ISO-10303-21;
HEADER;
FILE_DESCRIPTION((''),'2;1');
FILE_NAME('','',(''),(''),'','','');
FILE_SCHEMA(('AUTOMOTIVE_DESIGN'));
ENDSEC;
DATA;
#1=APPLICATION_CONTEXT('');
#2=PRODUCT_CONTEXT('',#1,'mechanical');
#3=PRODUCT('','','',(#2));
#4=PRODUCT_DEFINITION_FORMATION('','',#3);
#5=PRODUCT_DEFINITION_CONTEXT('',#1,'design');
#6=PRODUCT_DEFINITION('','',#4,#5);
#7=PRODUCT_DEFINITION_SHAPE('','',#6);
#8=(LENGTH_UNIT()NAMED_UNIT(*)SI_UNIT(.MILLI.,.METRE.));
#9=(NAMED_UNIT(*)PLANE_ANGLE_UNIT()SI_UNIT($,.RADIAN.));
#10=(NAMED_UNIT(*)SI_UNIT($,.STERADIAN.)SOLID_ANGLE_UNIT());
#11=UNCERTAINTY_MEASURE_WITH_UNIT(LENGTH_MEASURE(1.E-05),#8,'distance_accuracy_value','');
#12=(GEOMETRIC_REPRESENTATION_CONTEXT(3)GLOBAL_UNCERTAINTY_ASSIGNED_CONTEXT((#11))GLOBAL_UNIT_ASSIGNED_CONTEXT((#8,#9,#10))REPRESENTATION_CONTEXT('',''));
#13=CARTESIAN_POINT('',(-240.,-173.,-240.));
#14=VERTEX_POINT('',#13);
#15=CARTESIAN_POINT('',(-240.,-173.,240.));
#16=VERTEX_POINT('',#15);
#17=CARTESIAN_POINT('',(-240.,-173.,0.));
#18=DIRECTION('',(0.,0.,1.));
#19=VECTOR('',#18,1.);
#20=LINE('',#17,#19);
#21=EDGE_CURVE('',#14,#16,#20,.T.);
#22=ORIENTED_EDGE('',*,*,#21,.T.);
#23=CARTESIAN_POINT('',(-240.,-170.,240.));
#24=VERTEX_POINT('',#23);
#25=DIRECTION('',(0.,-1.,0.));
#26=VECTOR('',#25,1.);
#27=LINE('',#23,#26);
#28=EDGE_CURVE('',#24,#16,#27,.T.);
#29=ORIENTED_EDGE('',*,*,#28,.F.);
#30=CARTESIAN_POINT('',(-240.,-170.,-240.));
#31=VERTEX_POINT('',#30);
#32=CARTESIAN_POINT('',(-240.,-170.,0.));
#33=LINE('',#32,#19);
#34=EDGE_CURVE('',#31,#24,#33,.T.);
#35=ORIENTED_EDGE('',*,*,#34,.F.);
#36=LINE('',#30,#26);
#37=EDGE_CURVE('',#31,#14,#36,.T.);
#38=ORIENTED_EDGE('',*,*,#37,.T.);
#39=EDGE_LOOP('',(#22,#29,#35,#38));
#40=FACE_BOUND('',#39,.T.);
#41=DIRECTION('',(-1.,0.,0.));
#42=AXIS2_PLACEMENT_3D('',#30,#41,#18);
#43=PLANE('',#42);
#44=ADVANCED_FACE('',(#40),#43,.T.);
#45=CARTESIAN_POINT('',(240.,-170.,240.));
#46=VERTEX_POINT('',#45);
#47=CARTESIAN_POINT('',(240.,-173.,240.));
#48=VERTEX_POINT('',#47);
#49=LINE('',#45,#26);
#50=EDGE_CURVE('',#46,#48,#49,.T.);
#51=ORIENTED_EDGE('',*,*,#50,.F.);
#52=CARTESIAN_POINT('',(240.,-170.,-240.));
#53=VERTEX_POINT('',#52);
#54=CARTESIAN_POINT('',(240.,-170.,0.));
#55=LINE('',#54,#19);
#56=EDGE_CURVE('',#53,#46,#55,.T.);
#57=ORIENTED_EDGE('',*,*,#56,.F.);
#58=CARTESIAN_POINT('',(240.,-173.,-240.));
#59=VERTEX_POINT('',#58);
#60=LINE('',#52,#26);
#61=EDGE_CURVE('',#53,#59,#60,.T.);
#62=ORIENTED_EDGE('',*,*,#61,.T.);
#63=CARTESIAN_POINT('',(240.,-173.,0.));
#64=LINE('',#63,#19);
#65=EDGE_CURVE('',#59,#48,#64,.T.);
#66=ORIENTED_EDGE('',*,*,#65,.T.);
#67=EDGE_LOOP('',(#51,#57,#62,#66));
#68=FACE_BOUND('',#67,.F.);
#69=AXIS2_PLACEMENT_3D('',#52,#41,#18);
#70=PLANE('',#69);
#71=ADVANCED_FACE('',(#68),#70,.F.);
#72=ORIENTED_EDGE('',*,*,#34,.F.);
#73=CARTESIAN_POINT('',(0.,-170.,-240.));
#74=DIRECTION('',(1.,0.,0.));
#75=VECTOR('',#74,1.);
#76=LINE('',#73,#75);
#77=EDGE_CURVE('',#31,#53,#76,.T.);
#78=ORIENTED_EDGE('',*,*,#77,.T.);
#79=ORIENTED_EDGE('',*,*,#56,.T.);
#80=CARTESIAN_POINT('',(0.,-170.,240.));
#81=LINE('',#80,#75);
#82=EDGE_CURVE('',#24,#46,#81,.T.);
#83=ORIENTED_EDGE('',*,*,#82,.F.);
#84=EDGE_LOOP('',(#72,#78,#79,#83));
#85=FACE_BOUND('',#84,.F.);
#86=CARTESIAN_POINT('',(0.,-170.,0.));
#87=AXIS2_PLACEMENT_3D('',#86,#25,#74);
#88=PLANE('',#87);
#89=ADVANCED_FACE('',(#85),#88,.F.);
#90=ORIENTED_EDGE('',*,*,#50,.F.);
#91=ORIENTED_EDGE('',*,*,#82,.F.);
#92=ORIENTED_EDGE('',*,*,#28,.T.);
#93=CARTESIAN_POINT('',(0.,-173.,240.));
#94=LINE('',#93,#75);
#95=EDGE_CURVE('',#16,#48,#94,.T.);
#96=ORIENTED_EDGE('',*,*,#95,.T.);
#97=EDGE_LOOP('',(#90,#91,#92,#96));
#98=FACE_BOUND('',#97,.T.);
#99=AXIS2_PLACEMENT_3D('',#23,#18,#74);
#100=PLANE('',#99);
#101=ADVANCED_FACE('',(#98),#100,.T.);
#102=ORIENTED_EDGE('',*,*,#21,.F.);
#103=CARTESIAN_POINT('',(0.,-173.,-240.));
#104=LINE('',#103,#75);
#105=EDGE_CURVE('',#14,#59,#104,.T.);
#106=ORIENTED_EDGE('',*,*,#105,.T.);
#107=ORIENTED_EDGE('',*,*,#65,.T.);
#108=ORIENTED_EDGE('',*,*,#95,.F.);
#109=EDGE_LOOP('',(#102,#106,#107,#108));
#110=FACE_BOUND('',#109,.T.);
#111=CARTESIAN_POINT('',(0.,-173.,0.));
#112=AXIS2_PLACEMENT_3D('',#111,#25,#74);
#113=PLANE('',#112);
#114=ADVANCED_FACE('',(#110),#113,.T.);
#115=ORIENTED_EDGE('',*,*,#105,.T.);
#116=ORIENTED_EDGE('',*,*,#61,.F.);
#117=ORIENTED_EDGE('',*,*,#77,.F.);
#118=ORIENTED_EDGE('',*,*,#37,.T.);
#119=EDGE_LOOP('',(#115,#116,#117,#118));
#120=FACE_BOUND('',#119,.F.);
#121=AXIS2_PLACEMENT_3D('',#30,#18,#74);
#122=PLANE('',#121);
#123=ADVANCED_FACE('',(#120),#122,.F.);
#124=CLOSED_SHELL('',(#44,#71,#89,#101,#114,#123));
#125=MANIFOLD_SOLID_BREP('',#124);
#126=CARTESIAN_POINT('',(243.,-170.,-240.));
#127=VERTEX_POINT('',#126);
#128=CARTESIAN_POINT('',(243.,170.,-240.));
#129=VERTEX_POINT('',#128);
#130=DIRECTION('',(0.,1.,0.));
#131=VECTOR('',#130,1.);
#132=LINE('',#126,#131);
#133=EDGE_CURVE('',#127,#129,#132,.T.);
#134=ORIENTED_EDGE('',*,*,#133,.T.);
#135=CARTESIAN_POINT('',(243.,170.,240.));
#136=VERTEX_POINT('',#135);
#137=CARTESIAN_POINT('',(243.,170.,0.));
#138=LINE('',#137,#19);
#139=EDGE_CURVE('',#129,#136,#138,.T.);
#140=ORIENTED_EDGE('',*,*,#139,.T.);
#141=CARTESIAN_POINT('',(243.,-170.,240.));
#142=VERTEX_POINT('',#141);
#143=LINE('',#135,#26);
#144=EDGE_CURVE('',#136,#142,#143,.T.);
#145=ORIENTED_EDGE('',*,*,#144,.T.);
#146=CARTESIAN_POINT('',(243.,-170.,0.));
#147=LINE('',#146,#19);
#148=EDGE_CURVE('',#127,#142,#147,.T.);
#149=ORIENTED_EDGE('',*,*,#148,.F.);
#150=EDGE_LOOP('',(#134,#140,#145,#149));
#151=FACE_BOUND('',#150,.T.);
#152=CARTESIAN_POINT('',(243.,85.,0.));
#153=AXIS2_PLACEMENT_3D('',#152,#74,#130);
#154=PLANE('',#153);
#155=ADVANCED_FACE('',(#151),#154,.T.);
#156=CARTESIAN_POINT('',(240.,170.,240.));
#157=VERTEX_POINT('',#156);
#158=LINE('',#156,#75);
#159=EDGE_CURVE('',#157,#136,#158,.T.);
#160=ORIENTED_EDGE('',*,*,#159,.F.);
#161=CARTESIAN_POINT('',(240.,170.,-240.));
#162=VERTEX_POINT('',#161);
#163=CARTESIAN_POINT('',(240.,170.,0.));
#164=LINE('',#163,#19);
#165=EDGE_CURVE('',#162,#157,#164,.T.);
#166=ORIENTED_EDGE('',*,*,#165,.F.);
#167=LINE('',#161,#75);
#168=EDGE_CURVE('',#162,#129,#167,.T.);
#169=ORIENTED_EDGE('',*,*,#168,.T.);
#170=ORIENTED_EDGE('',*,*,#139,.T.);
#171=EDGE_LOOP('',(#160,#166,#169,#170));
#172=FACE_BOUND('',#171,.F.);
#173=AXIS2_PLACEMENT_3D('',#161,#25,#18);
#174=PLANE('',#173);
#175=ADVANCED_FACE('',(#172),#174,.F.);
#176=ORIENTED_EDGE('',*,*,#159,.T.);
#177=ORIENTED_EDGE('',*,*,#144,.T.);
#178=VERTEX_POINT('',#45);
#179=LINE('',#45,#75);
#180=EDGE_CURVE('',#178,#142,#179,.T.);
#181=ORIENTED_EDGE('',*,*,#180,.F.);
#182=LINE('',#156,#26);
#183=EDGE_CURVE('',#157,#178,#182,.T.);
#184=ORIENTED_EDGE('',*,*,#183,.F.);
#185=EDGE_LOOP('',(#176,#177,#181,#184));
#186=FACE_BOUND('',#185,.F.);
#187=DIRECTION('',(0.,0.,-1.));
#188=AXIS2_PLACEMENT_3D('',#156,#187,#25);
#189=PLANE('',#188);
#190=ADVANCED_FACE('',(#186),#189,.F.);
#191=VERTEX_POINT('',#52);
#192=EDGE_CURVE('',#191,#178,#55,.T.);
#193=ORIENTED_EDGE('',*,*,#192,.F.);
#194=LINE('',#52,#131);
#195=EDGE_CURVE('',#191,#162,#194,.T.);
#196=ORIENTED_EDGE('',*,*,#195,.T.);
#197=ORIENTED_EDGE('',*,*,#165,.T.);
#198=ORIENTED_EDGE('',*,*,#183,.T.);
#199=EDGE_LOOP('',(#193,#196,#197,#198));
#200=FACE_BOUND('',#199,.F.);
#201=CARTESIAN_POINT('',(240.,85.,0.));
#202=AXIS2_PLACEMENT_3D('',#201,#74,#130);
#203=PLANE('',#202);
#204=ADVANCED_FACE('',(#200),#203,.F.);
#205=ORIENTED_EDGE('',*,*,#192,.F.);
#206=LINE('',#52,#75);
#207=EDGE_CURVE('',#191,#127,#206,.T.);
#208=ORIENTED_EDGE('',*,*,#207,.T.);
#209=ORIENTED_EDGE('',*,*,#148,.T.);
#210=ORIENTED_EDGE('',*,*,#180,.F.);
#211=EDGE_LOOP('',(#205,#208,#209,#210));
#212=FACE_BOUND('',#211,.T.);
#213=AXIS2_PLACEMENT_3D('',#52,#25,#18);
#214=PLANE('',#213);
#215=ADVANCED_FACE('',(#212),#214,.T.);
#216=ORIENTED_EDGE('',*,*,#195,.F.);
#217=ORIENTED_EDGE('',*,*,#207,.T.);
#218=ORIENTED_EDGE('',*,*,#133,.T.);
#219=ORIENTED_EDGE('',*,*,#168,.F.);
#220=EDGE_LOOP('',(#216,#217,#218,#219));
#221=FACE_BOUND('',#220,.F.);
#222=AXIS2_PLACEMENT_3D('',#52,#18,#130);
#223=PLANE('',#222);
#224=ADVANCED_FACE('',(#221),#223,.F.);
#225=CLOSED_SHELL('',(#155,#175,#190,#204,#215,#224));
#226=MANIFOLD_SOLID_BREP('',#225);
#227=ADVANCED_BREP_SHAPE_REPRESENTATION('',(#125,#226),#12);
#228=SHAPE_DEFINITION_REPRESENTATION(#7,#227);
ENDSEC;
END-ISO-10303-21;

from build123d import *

# Parameters (mm, degrees)
F2_W     = 480
F2_H     = 480
F5_DEPTH = 3
F4_W     = 170
F4_H     = 480
F6_DEPTH = 3


with BuildPart() as f5:
    # F2 (on offset) → F5 (new body)
    with BuildSketch(Plane.XZ.offset(170)):
        Rectangle(F2_W, F2_H)
    extrude(amount=F5_DEPTH)


with BuildPart() as f6:
    # F4 (on offset) → F6 (new body)
    with BuildSketch(Plane.YZ.offset(240)):
        with Locations((85, 0)):
            Rectangle(F4_W, F4_H)
        with Locations((-85, 0)):
            Rectangle(F4_W, F4_H)
    extrude(amount=F6_DEPTH)


solid = Compound([f5.part, f6.part])
